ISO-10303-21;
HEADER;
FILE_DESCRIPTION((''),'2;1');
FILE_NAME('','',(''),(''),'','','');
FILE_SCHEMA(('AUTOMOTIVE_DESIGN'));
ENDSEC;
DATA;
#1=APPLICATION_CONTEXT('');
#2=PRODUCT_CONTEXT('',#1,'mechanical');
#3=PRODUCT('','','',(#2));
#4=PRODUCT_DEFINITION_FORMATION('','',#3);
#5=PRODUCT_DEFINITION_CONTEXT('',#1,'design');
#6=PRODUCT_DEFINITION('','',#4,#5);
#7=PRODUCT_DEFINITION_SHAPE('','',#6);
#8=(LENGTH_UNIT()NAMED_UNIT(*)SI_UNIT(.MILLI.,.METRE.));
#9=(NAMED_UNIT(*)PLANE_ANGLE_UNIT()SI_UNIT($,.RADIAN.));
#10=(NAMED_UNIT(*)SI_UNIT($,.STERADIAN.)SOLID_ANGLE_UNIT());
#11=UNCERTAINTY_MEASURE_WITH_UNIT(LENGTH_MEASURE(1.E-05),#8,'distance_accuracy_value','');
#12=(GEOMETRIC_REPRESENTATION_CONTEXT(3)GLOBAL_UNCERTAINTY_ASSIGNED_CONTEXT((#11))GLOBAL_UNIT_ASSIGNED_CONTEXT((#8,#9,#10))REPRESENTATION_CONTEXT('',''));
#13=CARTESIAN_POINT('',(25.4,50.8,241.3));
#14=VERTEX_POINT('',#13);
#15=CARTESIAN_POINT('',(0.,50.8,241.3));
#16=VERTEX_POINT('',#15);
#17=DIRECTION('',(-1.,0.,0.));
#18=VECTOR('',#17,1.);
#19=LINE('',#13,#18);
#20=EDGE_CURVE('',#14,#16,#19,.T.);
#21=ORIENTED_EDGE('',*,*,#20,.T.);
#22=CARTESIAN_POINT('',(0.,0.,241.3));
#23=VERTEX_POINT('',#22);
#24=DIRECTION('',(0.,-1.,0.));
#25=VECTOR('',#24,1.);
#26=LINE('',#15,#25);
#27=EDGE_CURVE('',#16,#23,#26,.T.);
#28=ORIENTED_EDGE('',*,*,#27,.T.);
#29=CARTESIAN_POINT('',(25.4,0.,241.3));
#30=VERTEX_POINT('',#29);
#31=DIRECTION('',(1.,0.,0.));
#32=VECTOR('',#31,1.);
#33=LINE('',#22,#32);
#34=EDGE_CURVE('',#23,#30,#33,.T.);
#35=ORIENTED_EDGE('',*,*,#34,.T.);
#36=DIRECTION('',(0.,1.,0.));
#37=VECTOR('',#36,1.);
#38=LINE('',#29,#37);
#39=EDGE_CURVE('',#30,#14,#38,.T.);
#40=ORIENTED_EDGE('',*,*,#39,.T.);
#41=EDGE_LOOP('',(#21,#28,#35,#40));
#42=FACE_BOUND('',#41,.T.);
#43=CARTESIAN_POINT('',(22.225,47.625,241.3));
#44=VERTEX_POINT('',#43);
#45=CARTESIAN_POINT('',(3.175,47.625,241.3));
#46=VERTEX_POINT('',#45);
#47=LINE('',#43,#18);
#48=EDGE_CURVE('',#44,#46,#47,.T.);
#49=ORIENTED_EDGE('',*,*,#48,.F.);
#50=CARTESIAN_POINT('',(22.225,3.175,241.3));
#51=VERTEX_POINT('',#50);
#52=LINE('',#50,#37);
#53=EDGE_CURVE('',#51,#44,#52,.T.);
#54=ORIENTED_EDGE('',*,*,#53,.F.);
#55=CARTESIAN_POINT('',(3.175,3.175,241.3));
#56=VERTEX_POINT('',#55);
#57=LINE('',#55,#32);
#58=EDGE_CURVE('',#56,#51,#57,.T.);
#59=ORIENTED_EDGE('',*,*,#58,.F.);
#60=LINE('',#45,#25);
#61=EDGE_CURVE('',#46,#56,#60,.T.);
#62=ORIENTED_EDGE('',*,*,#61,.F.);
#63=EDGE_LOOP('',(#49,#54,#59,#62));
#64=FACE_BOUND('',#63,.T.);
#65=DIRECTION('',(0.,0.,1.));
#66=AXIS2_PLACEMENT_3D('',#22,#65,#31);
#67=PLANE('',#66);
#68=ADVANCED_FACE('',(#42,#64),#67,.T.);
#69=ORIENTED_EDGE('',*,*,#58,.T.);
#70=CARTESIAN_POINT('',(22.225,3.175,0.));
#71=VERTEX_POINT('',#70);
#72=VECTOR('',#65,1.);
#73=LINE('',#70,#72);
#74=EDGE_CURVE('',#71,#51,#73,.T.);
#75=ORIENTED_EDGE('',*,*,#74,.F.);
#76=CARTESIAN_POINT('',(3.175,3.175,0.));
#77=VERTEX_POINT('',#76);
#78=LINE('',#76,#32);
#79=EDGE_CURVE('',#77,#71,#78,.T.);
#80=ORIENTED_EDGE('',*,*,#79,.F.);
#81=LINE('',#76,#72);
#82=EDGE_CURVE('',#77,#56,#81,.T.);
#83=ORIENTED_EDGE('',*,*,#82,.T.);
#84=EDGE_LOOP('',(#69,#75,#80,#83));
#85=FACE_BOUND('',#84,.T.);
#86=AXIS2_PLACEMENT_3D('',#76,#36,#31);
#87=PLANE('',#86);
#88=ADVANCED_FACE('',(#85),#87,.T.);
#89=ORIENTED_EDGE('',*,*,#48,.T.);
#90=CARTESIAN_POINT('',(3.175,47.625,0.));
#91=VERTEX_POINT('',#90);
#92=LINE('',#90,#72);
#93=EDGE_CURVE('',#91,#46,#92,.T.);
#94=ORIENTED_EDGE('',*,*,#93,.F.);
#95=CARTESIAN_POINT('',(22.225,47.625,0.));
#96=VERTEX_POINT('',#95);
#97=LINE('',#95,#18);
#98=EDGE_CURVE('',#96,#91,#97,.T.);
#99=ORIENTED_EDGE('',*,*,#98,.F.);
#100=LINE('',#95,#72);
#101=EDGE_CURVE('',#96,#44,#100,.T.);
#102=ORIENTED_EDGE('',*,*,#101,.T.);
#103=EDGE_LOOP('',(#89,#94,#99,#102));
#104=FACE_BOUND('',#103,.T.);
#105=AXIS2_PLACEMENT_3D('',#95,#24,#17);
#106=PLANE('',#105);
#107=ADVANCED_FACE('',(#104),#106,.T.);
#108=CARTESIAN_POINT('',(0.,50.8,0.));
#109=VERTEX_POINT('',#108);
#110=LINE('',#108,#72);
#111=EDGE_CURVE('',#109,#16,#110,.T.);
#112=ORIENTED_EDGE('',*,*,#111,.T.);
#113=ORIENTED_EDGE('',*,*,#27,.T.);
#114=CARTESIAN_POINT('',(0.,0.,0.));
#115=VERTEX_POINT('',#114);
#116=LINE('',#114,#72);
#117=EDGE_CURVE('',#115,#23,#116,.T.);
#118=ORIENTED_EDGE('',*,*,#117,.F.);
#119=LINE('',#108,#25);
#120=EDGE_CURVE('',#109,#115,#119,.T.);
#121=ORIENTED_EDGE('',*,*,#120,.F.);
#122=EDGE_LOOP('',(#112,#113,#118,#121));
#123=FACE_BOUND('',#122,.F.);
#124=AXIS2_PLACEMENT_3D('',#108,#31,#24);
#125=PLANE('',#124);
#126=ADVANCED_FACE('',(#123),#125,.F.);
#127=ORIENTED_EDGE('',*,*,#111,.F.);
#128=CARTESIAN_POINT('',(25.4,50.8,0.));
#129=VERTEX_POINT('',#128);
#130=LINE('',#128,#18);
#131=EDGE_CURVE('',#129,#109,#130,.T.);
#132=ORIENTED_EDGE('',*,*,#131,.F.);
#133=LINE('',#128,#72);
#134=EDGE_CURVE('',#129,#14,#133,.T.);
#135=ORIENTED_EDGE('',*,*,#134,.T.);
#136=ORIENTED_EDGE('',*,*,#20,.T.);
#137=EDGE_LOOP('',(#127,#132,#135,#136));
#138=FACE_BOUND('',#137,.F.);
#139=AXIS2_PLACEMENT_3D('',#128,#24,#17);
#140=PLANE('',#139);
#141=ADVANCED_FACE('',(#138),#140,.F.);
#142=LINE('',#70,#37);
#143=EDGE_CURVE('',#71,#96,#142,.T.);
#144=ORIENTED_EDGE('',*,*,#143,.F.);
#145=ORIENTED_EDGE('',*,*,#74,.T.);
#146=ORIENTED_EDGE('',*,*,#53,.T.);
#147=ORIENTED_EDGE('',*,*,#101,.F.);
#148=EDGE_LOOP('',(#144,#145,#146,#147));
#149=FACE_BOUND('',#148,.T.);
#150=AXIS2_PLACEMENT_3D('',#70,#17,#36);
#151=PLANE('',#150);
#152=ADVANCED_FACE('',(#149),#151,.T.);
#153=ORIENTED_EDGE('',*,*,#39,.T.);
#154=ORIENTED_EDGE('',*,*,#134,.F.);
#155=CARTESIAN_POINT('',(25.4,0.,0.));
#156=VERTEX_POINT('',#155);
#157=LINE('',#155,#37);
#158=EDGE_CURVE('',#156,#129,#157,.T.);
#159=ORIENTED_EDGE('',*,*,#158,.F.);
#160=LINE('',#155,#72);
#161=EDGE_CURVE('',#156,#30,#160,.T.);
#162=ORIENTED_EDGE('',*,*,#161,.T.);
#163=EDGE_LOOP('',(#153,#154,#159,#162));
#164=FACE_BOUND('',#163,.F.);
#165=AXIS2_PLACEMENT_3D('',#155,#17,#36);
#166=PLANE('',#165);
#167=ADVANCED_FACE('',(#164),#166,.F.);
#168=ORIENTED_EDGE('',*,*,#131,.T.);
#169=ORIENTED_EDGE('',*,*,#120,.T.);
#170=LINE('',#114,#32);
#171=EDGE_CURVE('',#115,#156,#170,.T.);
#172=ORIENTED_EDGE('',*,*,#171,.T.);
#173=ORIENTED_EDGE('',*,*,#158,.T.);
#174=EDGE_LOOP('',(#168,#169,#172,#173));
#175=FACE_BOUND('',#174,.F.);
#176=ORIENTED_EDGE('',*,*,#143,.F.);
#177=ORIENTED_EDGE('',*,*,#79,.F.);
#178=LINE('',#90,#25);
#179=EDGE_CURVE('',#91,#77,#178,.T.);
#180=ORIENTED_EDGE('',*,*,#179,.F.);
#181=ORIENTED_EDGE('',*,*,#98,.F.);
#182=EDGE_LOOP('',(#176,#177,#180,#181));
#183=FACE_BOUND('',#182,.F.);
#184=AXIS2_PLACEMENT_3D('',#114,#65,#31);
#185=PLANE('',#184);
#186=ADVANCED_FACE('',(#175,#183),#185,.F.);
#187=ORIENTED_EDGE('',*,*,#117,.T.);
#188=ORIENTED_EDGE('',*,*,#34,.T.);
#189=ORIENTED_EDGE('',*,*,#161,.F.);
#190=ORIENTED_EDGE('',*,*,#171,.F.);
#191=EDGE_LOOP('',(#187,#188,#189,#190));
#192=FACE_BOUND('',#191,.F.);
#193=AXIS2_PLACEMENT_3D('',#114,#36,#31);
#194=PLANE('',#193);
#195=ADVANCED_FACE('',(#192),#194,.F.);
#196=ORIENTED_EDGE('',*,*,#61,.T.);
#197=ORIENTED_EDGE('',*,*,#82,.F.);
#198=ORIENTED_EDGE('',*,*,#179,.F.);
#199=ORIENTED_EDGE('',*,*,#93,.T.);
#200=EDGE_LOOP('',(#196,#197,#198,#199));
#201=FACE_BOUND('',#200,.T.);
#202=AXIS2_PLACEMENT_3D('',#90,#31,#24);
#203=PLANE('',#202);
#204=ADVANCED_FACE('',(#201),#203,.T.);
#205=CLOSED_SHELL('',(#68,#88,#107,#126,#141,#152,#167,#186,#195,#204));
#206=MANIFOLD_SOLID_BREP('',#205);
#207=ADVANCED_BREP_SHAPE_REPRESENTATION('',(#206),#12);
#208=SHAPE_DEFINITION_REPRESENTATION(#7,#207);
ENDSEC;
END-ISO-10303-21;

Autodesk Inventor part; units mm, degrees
ref_plane "YZ Plane" through (0, 0, 0) normal (1, 0, 0) x (0, 1, 0)
sketch "Sketch1" plane through (0, 0, 0) normal (0, 0, 1) x (1, 0, 0)
  line L0 (0, 0) -> (25.4, 0)
  line L1 (25.4, 0) -> (25.4, 50.8)
  line L2 (25.4, 50.8) -> (0, 50.8)
  line L3 (0, 50.8) -> (0, 0)
  line L4 (3.175, 3.175) -> (22.225, 3.175)
  line L5 (22.225, 3.175) -> (22.225, 47.625)
  line L6 (22.225, 47.625) -> (3.175, 47.625)
  line L7 (3.175, 47.625) -> (3.175, 3.175)
  dimension "d0" = 25.4
  dimension "d1" = 50.8
  dimension "d2" = 3.175
extrude "Extrusion1" add sketch "Sketch1" along normal blind 241.3
ref_plane "Work Plane1" through (12.7, 0, 0) normal (1, 0, 0) x (0, 0, -1)
ref_plane "Work Plane2" through (0, 0, 120.65) normal (0, 0, 1) x (1, 0, 0)
properties part number "center brace" material "Aluminum 6061"
